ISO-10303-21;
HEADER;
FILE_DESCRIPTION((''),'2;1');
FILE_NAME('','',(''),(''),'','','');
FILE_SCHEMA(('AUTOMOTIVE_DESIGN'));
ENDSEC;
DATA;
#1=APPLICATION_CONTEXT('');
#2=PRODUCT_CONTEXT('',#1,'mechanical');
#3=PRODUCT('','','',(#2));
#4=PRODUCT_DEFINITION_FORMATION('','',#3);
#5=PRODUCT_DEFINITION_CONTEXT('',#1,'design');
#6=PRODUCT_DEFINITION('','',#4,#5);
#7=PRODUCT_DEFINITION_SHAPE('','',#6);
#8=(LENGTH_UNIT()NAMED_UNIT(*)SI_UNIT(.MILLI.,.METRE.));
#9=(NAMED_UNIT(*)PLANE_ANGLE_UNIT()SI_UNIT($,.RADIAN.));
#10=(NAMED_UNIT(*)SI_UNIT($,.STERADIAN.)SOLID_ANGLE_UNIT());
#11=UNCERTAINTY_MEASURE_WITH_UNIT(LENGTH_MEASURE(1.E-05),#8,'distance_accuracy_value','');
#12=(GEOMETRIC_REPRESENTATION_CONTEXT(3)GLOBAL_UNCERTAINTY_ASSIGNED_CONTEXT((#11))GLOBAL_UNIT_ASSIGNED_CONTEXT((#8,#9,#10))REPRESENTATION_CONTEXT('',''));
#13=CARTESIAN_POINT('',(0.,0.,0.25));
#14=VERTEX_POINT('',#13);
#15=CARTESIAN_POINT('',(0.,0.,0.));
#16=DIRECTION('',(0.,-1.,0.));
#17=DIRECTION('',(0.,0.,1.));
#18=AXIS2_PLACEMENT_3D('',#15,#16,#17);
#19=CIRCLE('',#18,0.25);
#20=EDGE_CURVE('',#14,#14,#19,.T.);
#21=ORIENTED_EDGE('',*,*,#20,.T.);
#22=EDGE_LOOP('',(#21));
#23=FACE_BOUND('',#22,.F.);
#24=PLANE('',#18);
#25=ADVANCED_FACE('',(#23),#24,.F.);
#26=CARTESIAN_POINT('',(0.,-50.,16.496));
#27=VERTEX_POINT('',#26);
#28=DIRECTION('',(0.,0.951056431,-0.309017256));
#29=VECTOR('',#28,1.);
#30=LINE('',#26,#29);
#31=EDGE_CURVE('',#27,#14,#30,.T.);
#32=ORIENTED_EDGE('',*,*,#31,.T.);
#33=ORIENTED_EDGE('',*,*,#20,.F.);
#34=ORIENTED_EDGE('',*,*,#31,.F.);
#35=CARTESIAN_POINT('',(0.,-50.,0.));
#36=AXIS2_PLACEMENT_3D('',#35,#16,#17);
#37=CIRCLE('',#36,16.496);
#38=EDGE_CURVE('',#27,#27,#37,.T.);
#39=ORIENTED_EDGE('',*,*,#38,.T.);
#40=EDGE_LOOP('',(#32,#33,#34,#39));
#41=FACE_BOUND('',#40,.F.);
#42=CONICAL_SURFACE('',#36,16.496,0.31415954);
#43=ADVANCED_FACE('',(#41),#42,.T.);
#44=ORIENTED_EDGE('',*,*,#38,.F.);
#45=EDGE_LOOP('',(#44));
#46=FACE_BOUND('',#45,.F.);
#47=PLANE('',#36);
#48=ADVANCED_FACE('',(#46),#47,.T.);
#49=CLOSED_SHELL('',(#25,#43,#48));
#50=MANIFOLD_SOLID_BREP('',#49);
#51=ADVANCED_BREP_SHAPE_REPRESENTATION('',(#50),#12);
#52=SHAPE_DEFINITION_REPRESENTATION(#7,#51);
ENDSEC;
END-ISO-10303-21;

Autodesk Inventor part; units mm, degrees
ref_plane "YZ Plane" through (0, 0, 0) normal (1, 0, 0) x (0, 1, 0)
ref_plane "XZ Plane" through (0, 0, 0) normal (0, 1, 0) x (-1, 0, 0)
ref_plane "XY Plane" through (0, 0, 0) normal (0, 0, 1) x (1, 0, 0)
sketch "Skizze1" plane through (0, 0, 0) normal (1, 0, 0) x (0, 1, 0)
  line L0 (0, 0) -> (-50, 0)
  line L1 (-50, 0) -> (-50, 16.496)
  line L2 (-50, 16.496) -> (0, 0.25)
  line L3 (0, 0.25) -> (0, 0)
  dimension "d0" = 18
  dimension "d1" = 50
  dimension "d3" = 0.5
revolve "Umdrehung1" add sketch "Skizze1" angle 360 about axis through (0, 0, 0) along (0, -1, 0)
properties part number "Sichtkegel 25 Grad"
